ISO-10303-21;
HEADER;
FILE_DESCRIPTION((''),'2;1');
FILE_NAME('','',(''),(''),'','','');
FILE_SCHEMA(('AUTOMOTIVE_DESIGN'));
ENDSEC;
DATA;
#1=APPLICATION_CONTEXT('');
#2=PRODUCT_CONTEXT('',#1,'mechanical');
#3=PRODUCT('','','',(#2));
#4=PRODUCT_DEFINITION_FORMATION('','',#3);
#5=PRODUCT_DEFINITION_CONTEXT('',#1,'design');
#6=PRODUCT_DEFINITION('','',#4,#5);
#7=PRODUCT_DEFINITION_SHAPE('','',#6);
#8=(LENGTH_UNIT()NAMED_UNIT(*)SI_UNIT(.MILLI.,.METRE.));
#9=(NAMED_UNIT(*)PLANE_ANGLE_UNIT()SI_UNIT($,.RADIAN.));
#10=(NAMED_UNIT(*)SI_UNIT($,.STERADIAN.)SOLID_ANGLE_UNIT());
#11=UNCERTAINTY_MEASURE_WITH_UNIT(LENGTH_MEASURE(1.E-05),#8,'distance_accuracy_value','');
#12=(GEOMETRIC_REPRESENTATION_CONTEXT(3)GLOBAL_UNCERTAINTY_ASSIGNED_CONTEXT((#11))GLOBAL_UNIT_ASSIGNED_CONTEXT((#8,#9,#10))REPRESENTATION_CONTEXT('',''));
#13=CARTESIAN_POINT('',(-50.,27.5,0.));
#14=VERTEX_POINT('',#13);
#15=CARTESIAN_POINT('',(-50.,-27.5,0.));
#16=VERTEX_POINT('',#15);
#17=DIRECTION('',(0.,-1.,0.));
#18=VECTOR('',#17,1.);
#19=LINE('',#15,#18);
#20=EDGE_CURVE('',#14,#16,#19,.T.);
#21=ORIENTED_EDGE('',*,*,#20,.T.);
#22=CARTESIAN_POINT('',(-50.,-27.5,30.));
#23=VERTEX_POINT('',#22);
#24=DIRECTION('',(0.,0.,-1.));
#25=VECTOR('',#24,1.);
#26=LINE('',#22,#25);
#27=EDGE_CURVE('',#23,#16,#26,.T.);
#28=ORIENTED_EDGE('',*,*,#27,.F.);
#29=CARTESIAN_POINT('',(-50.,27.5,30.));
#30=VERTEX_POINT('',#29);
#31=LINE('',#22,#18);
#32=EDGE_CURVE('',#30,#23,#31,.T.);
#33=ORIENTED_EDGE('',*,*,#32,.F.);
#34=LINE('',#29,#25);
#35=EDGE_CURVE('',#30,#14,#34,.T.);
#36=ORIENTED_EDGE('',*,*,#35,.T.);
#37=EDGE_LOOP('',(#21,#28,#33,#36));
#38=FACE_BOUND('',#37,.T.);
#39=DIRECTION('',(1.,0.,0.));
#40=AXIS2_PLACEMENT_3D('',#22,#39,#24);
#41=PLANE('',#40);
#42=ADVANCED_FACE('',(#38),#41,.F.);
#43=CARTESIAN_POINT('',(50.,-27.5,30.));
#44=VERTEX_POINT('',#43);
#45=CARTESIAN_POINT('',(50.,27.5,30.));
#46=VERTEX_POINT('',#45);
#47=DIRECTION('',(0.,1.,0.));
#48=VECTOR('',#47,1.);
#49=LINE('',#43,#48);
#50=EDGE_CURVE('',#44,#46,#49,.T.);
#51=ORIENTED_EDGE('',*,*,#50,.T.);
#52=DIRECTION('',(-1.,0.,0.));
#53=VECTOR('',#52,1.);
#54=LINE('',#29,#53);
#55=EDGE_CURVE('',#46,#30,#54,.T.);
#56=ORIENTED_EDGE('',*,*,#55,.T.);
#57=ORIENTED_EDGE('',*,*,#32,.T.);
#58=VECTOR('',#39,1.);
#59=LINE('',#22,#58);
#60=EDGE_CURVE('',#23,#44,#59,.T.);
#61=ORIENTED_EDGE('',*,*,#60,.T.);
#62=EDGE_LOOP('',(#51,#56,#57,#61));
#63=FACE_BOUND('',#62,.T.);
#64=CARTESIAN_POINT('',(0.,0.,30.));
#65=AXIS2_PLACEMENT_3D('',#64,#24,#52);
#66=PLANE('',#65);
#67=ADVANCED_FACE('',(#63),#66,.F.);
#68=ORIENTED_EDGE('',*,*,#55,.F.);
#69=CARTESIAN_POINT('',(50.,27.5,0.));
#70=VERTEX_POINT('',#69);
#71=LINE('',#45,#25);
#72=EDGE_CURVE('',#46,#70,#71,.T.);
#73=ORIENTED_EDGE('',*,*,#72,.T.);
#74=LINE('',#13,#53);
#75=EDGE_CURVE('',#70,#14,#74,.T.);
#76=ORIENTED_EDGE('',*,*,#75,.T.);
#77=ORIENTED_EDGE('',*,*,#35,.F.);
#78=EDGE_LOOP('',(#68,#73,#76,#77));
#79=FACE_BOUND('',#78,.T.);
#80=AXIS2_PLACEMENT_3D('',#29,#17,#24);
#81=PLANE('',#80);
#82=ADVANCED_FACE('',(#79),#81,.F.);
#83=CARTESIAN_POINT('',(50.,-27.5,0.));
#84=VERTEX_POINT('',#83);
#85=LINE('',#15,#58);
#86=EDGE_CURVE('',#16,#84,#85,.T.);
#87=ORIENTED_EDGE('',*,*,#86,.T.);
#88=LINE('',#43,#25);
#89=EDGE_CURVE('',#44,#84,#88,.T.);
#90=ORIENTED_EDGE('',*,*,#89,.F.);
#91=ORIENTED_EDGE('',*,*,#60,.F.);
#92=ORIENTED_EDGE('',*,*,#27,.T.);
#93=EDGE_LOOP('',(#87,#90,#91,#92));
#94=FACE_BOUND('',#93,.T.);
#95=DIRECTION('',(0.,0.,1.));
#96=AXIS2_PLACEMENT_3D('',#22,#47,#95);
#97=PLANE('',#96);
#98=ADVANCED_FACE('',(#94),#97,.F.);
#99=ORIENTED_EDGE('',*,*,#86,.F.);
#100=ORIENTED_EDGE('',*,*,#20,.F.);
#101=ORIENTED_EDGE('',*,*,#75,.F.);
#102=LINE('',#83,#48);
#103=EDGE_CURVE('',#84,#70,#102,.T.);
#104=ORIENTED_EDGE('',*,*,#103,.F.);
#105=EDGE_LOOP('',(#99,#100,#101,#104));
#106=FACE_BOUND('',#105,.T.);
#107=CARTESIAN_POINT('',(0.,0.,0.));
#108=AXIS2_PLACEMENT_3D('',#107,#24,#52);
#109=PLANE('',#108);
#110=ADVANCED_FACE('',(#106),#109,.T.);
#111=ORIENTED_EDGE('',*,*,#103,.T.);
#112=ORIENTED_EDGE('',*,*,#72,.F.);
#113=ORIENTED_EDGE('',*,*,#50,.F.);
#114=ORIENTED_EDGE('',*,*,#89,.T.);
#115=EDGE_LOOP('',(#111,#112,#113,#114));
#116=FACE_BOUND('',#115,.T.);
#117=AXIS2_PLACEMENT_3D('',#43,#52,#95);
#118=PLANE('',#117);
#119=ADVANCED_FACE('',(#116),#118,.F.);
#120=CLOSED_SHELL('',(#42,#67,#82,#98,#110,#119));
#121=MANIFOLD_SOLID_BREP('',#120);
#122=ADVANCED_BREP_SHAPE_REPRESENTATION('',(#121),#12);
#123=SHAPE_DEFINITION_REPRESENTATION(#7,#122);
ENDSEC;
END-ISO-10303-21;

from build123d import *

# Parameters (mm, degrees)
SKETCH_1_W      = 100
SKETCH_1_H      = 55
EXTRUDE_1_DEPTH = 30


with BuildPart() as part:
    # 草图1 → 凸台-拉伸1 (new body)
    with BuildSketch(Plane.XY):
        Rectangle(SKETCH_1_W, SKETCH_1_H)
    extrude(amount=EXTRUDE_1_DEPTH)


solid = part.part
